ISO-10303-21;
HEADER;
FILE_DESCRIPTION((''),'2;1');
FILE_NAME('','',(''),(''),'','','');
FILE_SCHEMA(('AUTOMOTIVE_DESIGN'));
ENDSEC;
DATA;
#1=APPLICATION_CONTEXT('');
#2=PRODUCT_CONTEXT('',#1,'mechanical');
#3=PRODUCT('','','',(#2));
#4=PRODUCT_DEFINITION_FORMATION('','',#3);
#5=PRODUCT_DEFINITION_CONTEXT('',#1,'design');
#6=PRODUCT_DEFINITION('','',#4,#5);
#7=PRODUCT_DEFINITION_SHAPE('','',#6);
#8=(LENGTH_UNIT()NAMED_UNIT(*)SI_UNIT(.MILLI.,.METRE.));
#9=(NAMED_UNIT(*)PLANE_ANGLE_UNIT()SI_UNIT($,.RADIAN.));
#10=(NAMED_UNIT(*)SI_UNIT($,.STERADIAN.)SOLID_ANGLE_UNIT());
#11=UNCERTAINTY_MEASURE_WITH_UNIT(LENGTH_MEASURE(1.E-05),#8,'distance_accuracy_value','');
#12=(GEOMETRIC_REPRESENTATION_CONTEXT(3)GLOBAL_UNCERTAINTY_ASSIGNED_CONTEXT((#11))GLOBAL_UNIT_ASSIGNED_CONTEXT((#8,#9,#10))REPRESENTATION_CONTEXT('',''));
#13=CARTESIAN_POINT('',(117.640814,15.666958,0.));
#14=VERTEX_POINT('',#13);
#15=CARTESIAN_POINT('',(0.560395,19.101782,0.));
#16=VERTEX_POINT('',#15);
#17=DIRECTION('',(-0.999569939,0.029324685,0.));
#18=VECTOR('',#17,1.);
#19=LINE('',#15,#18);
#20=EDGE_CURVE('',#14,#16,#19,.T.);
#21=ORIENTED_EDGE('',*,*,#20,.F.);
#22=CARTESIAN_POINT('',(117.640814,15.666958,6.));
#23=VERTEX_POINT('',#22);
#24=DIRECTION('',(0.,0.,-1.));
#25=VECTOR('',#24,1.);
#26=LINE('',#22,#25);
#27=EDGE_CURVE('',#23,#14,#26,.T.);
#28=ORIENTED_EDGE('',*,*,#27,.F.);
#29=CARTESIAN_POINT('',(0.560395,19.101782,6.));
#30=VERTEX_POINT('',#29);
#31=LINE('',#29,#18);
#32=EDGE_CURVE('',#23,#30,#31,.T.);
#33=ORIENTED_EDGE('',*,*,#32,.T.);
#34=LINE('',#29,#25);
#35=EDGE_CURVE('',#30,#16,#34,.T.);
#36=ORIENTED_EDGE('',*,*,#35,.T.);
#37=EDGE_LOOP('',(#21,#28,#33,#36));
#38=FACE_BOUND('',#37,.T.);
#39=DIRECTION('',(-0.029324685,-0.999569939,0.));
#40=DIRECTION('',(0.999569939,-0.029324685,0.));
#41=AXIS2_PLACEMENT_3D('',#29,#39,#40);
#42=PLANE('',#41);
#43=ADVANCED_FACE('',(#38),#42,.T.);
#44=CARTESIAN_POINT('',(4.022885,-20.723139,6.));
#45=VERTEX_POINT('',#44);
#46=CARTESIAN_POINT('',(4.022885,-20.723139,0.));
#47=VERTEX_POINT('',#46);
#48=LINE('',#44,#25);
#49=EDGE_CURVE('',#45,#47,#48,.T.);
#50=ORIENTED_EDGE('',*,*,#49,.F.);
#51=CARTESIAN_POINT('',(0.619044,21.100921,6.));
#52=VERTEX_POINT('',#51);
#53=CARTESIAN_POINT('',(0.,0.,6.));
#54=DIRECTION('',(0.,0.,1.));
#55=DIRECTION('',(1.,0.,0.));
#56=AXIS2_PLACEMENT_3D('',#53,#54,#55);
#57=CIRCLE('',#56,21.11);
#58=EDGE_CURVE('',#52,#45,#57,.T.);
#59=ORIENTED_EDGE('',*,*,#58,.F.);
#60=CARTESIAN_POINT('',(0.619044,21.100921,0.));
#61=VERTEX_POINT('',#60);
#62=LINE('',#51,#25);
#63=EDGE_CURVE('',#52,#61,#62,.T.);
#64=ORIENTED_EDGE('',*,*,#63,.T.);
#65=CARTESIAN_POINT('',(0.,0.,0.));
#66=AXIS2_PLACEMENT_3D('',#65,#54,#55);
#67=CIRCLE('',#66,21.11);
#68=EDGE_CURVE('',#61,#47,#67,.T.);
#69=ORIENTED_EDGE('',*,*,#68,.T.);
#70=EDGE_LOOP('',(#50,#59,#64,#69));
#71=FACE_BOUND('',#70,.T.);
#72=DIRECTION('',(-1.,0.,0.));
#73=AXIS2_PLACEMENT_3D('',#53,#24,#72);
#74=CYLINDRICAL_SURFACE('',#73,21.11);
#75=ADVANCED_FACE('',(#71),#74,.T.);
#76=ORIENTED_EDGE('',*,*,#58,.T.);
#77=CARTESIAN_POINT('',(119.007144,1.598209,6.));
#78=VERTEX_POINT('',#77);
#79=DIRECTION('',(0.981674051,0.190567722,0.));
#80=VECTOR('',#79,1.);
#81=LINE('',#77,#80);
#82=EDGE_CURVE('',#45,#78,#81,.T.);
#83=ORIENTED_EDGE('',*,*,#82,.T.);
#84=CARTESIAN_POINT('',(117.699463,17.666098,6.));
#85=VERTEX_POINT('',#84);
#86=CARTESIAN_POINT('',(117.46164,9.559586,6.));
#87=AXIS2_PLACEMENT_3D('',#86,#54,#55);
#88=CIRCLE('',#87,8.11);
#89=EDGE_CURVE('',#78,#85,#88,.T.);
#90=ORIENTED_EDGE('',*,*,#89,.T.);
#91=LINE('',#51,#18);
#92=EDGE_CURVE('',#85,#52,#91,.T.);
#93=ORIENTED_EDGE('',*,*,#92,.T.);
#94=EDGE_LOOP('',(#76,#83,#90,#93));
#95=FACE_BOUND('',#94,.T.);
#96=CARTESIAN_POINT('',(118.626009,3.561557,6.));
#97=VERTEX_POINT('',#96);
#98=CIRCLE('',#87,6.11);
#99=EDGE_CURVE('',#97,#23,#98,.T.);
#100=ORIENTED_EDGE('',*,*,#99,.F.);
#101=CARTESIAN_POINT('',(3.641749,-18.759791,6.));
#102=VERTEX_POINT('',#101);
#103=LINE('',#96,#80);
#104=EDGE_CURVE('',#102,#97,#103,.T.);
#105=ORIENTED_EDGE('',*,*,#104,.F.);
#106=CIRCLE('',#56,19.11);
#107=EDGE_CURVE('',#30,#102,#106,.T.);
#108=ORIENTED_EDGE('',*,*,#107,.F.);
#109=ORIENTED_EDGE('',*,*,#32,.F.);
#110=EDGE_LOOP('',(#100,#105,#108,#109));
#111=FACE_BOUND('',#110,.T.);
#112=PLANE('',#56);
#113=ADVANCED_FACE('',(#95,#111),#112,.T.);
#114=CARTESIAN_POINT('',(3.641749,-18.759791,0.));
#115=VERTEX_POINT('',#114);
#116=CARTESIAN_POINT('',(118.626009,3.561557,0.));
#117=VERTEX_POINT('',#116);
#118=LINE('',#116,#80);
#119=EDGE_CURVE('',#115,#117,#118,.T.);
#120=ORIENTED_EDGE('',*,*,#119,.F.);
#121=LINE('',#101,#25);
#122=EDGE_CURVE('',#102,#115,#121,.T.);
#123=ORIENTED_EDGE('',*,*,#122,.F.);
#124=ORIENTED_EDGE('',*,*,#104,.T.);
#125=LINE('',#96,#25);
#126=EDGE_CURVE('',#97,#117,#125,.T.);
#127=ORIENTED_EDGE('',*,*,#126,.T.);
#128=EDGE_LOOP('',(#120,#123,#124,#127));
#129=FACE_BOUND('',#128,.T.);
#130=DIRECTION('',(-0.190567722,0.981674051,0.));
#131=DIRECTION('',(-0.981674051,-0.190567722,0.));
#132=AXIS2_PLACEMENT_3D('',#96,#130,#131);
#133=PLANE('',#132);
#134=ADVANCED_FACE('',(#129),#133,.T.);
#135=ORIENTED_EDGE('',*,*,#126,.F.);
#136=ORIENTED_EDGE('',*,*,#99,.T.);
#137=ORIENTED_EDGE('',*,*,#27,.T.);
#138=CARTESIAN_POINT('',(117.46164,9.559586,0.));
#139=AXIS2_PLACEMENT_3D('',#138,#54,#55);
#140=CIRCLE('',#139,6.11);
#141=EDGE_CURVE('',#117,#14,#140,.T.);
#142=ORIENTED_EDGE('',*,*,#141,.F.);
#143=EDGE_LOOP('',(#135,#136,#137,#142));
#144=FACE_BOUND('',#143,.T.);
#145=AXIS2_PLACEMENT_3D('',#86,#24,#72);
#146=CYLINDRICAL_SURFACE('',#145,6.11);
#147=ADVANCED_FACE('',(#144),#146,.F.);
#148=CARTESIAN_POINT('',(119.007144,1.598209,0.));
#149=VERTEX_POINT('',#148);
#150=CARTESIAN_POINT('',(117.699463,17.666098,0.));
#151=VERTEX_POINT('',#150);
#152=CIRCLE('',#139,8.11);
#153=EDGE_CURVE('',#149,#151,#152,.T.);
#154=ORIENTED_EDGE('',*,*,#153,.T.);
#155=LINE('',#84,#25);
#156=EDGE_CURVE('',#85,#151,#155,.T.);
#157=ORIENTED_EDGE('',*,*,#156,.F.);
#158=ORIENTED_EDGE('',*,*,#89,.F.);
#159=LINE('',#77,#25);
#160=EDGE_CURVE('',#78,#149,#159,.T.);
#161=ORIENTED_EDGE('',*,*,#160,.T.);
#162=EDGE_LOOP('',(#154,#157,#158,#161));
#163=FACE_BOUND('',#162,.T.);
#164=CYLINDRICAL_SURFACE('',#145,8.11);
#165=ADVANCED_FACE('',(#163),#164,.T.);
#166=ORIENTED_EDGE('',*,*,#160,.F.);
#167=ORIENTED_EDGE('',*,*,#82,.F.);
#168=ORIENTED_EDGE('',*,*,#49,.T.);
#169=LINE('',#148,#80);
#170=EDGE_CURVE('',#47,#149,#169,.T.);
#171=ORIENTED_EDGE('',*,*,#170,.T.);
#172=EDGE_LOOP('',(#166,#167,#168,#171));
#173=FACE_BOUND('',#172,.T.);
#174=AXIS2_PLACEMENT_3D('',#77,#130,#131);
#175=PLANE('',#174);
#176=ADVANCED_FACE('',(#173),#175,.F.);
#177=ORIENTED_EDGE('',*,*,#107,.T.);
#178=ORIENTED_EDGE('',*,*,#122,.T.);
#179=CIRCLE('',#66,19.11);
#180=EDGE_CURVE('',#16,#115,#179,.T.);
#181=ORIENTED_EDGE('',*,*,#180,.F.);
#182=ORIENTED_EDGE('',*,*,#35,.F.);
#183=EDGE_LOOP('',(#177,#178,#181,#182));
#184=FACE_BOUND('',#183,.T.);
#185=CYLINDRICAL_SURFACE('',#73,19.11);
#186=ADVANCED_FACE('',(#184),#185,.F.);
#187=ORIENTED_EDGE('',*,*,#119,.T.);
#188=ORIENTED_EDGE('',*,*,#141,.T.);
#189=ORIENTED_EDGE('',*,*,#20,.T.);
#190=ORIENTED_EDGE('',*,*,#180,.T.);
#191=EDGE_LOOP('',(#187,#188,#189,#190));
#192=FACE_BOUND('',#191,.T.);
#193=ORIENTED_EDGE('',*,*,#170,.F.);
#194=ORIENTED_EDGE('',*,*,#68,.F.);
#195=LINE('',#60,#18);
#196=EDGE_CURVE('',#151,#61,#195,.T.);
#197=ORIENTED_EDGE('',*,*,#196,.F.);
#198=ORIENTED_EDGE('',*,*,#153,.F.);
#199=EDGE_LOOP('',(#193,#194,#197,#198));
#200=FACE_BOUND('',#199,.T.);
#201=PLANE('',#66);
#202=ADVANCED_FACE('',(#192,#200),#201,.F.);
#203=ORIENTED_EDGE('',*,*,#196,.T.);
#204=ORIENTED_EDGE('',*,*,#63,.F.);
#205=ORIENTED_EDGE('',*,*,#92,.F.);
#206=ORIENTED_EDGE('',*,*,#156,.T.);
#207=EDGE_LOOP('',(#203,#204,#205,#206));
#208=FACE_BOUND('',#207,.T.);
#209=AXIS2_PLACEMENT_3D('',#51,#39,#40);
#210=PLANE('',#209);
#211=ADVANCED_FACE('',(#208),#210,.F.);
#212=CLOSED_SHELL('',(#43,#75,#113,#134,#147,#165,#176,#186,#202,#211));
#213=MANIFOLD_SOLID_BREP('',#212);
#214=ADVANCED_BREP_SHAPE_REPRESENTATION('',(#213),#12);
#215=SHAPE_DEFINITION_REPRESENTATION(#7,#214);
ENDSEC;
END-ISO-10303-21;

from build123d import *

# Parameters (mm, degrees)
BOSS_EXTRUDE1_DEPTH = 6


with BuildPart() as part:
    # Sketch1 → Boss-Extrude1 (new body)
    with BuildSketch(Plane.XY):
        with BuildLine():
            Line((0.619044099, 21.100921411), (117.699462987, 17.666097834))
            ThreePointArc((117.699462987, 17.666097834), (125.544914282, 10.217440864), (119.00714402, 1.598209072))
            Line((119.00714402, 1.598209072), (4.022884618, -20.723139225))
            ThreePointArc((4.022884618, -20.723139225), (-21.040434586, -1.712370408), (0.619044099, 21.100921411))
        make_face()
        with BuildLine():
            Line((0.560394729, 19.101781533), (117.640813617, 15.666957956))
            ThreePointArc((117.640813617, 15.666957956), (123.551505037, 10.05520776), (118.626008575, 3.561557175))
            Line((118.626008575, 3.561557175), (3.641749173, -18.759791122))
            ThreePointArc((3.641749173, -18.759791122), (-19.047025341, -1.550137305), (0.560394729, 19.101781533))
        make_face(mode=Mode.SUBTRACT)
    extrude(amount=BOSS_EXTRUDE1_DEPTH)


solid = part.part
